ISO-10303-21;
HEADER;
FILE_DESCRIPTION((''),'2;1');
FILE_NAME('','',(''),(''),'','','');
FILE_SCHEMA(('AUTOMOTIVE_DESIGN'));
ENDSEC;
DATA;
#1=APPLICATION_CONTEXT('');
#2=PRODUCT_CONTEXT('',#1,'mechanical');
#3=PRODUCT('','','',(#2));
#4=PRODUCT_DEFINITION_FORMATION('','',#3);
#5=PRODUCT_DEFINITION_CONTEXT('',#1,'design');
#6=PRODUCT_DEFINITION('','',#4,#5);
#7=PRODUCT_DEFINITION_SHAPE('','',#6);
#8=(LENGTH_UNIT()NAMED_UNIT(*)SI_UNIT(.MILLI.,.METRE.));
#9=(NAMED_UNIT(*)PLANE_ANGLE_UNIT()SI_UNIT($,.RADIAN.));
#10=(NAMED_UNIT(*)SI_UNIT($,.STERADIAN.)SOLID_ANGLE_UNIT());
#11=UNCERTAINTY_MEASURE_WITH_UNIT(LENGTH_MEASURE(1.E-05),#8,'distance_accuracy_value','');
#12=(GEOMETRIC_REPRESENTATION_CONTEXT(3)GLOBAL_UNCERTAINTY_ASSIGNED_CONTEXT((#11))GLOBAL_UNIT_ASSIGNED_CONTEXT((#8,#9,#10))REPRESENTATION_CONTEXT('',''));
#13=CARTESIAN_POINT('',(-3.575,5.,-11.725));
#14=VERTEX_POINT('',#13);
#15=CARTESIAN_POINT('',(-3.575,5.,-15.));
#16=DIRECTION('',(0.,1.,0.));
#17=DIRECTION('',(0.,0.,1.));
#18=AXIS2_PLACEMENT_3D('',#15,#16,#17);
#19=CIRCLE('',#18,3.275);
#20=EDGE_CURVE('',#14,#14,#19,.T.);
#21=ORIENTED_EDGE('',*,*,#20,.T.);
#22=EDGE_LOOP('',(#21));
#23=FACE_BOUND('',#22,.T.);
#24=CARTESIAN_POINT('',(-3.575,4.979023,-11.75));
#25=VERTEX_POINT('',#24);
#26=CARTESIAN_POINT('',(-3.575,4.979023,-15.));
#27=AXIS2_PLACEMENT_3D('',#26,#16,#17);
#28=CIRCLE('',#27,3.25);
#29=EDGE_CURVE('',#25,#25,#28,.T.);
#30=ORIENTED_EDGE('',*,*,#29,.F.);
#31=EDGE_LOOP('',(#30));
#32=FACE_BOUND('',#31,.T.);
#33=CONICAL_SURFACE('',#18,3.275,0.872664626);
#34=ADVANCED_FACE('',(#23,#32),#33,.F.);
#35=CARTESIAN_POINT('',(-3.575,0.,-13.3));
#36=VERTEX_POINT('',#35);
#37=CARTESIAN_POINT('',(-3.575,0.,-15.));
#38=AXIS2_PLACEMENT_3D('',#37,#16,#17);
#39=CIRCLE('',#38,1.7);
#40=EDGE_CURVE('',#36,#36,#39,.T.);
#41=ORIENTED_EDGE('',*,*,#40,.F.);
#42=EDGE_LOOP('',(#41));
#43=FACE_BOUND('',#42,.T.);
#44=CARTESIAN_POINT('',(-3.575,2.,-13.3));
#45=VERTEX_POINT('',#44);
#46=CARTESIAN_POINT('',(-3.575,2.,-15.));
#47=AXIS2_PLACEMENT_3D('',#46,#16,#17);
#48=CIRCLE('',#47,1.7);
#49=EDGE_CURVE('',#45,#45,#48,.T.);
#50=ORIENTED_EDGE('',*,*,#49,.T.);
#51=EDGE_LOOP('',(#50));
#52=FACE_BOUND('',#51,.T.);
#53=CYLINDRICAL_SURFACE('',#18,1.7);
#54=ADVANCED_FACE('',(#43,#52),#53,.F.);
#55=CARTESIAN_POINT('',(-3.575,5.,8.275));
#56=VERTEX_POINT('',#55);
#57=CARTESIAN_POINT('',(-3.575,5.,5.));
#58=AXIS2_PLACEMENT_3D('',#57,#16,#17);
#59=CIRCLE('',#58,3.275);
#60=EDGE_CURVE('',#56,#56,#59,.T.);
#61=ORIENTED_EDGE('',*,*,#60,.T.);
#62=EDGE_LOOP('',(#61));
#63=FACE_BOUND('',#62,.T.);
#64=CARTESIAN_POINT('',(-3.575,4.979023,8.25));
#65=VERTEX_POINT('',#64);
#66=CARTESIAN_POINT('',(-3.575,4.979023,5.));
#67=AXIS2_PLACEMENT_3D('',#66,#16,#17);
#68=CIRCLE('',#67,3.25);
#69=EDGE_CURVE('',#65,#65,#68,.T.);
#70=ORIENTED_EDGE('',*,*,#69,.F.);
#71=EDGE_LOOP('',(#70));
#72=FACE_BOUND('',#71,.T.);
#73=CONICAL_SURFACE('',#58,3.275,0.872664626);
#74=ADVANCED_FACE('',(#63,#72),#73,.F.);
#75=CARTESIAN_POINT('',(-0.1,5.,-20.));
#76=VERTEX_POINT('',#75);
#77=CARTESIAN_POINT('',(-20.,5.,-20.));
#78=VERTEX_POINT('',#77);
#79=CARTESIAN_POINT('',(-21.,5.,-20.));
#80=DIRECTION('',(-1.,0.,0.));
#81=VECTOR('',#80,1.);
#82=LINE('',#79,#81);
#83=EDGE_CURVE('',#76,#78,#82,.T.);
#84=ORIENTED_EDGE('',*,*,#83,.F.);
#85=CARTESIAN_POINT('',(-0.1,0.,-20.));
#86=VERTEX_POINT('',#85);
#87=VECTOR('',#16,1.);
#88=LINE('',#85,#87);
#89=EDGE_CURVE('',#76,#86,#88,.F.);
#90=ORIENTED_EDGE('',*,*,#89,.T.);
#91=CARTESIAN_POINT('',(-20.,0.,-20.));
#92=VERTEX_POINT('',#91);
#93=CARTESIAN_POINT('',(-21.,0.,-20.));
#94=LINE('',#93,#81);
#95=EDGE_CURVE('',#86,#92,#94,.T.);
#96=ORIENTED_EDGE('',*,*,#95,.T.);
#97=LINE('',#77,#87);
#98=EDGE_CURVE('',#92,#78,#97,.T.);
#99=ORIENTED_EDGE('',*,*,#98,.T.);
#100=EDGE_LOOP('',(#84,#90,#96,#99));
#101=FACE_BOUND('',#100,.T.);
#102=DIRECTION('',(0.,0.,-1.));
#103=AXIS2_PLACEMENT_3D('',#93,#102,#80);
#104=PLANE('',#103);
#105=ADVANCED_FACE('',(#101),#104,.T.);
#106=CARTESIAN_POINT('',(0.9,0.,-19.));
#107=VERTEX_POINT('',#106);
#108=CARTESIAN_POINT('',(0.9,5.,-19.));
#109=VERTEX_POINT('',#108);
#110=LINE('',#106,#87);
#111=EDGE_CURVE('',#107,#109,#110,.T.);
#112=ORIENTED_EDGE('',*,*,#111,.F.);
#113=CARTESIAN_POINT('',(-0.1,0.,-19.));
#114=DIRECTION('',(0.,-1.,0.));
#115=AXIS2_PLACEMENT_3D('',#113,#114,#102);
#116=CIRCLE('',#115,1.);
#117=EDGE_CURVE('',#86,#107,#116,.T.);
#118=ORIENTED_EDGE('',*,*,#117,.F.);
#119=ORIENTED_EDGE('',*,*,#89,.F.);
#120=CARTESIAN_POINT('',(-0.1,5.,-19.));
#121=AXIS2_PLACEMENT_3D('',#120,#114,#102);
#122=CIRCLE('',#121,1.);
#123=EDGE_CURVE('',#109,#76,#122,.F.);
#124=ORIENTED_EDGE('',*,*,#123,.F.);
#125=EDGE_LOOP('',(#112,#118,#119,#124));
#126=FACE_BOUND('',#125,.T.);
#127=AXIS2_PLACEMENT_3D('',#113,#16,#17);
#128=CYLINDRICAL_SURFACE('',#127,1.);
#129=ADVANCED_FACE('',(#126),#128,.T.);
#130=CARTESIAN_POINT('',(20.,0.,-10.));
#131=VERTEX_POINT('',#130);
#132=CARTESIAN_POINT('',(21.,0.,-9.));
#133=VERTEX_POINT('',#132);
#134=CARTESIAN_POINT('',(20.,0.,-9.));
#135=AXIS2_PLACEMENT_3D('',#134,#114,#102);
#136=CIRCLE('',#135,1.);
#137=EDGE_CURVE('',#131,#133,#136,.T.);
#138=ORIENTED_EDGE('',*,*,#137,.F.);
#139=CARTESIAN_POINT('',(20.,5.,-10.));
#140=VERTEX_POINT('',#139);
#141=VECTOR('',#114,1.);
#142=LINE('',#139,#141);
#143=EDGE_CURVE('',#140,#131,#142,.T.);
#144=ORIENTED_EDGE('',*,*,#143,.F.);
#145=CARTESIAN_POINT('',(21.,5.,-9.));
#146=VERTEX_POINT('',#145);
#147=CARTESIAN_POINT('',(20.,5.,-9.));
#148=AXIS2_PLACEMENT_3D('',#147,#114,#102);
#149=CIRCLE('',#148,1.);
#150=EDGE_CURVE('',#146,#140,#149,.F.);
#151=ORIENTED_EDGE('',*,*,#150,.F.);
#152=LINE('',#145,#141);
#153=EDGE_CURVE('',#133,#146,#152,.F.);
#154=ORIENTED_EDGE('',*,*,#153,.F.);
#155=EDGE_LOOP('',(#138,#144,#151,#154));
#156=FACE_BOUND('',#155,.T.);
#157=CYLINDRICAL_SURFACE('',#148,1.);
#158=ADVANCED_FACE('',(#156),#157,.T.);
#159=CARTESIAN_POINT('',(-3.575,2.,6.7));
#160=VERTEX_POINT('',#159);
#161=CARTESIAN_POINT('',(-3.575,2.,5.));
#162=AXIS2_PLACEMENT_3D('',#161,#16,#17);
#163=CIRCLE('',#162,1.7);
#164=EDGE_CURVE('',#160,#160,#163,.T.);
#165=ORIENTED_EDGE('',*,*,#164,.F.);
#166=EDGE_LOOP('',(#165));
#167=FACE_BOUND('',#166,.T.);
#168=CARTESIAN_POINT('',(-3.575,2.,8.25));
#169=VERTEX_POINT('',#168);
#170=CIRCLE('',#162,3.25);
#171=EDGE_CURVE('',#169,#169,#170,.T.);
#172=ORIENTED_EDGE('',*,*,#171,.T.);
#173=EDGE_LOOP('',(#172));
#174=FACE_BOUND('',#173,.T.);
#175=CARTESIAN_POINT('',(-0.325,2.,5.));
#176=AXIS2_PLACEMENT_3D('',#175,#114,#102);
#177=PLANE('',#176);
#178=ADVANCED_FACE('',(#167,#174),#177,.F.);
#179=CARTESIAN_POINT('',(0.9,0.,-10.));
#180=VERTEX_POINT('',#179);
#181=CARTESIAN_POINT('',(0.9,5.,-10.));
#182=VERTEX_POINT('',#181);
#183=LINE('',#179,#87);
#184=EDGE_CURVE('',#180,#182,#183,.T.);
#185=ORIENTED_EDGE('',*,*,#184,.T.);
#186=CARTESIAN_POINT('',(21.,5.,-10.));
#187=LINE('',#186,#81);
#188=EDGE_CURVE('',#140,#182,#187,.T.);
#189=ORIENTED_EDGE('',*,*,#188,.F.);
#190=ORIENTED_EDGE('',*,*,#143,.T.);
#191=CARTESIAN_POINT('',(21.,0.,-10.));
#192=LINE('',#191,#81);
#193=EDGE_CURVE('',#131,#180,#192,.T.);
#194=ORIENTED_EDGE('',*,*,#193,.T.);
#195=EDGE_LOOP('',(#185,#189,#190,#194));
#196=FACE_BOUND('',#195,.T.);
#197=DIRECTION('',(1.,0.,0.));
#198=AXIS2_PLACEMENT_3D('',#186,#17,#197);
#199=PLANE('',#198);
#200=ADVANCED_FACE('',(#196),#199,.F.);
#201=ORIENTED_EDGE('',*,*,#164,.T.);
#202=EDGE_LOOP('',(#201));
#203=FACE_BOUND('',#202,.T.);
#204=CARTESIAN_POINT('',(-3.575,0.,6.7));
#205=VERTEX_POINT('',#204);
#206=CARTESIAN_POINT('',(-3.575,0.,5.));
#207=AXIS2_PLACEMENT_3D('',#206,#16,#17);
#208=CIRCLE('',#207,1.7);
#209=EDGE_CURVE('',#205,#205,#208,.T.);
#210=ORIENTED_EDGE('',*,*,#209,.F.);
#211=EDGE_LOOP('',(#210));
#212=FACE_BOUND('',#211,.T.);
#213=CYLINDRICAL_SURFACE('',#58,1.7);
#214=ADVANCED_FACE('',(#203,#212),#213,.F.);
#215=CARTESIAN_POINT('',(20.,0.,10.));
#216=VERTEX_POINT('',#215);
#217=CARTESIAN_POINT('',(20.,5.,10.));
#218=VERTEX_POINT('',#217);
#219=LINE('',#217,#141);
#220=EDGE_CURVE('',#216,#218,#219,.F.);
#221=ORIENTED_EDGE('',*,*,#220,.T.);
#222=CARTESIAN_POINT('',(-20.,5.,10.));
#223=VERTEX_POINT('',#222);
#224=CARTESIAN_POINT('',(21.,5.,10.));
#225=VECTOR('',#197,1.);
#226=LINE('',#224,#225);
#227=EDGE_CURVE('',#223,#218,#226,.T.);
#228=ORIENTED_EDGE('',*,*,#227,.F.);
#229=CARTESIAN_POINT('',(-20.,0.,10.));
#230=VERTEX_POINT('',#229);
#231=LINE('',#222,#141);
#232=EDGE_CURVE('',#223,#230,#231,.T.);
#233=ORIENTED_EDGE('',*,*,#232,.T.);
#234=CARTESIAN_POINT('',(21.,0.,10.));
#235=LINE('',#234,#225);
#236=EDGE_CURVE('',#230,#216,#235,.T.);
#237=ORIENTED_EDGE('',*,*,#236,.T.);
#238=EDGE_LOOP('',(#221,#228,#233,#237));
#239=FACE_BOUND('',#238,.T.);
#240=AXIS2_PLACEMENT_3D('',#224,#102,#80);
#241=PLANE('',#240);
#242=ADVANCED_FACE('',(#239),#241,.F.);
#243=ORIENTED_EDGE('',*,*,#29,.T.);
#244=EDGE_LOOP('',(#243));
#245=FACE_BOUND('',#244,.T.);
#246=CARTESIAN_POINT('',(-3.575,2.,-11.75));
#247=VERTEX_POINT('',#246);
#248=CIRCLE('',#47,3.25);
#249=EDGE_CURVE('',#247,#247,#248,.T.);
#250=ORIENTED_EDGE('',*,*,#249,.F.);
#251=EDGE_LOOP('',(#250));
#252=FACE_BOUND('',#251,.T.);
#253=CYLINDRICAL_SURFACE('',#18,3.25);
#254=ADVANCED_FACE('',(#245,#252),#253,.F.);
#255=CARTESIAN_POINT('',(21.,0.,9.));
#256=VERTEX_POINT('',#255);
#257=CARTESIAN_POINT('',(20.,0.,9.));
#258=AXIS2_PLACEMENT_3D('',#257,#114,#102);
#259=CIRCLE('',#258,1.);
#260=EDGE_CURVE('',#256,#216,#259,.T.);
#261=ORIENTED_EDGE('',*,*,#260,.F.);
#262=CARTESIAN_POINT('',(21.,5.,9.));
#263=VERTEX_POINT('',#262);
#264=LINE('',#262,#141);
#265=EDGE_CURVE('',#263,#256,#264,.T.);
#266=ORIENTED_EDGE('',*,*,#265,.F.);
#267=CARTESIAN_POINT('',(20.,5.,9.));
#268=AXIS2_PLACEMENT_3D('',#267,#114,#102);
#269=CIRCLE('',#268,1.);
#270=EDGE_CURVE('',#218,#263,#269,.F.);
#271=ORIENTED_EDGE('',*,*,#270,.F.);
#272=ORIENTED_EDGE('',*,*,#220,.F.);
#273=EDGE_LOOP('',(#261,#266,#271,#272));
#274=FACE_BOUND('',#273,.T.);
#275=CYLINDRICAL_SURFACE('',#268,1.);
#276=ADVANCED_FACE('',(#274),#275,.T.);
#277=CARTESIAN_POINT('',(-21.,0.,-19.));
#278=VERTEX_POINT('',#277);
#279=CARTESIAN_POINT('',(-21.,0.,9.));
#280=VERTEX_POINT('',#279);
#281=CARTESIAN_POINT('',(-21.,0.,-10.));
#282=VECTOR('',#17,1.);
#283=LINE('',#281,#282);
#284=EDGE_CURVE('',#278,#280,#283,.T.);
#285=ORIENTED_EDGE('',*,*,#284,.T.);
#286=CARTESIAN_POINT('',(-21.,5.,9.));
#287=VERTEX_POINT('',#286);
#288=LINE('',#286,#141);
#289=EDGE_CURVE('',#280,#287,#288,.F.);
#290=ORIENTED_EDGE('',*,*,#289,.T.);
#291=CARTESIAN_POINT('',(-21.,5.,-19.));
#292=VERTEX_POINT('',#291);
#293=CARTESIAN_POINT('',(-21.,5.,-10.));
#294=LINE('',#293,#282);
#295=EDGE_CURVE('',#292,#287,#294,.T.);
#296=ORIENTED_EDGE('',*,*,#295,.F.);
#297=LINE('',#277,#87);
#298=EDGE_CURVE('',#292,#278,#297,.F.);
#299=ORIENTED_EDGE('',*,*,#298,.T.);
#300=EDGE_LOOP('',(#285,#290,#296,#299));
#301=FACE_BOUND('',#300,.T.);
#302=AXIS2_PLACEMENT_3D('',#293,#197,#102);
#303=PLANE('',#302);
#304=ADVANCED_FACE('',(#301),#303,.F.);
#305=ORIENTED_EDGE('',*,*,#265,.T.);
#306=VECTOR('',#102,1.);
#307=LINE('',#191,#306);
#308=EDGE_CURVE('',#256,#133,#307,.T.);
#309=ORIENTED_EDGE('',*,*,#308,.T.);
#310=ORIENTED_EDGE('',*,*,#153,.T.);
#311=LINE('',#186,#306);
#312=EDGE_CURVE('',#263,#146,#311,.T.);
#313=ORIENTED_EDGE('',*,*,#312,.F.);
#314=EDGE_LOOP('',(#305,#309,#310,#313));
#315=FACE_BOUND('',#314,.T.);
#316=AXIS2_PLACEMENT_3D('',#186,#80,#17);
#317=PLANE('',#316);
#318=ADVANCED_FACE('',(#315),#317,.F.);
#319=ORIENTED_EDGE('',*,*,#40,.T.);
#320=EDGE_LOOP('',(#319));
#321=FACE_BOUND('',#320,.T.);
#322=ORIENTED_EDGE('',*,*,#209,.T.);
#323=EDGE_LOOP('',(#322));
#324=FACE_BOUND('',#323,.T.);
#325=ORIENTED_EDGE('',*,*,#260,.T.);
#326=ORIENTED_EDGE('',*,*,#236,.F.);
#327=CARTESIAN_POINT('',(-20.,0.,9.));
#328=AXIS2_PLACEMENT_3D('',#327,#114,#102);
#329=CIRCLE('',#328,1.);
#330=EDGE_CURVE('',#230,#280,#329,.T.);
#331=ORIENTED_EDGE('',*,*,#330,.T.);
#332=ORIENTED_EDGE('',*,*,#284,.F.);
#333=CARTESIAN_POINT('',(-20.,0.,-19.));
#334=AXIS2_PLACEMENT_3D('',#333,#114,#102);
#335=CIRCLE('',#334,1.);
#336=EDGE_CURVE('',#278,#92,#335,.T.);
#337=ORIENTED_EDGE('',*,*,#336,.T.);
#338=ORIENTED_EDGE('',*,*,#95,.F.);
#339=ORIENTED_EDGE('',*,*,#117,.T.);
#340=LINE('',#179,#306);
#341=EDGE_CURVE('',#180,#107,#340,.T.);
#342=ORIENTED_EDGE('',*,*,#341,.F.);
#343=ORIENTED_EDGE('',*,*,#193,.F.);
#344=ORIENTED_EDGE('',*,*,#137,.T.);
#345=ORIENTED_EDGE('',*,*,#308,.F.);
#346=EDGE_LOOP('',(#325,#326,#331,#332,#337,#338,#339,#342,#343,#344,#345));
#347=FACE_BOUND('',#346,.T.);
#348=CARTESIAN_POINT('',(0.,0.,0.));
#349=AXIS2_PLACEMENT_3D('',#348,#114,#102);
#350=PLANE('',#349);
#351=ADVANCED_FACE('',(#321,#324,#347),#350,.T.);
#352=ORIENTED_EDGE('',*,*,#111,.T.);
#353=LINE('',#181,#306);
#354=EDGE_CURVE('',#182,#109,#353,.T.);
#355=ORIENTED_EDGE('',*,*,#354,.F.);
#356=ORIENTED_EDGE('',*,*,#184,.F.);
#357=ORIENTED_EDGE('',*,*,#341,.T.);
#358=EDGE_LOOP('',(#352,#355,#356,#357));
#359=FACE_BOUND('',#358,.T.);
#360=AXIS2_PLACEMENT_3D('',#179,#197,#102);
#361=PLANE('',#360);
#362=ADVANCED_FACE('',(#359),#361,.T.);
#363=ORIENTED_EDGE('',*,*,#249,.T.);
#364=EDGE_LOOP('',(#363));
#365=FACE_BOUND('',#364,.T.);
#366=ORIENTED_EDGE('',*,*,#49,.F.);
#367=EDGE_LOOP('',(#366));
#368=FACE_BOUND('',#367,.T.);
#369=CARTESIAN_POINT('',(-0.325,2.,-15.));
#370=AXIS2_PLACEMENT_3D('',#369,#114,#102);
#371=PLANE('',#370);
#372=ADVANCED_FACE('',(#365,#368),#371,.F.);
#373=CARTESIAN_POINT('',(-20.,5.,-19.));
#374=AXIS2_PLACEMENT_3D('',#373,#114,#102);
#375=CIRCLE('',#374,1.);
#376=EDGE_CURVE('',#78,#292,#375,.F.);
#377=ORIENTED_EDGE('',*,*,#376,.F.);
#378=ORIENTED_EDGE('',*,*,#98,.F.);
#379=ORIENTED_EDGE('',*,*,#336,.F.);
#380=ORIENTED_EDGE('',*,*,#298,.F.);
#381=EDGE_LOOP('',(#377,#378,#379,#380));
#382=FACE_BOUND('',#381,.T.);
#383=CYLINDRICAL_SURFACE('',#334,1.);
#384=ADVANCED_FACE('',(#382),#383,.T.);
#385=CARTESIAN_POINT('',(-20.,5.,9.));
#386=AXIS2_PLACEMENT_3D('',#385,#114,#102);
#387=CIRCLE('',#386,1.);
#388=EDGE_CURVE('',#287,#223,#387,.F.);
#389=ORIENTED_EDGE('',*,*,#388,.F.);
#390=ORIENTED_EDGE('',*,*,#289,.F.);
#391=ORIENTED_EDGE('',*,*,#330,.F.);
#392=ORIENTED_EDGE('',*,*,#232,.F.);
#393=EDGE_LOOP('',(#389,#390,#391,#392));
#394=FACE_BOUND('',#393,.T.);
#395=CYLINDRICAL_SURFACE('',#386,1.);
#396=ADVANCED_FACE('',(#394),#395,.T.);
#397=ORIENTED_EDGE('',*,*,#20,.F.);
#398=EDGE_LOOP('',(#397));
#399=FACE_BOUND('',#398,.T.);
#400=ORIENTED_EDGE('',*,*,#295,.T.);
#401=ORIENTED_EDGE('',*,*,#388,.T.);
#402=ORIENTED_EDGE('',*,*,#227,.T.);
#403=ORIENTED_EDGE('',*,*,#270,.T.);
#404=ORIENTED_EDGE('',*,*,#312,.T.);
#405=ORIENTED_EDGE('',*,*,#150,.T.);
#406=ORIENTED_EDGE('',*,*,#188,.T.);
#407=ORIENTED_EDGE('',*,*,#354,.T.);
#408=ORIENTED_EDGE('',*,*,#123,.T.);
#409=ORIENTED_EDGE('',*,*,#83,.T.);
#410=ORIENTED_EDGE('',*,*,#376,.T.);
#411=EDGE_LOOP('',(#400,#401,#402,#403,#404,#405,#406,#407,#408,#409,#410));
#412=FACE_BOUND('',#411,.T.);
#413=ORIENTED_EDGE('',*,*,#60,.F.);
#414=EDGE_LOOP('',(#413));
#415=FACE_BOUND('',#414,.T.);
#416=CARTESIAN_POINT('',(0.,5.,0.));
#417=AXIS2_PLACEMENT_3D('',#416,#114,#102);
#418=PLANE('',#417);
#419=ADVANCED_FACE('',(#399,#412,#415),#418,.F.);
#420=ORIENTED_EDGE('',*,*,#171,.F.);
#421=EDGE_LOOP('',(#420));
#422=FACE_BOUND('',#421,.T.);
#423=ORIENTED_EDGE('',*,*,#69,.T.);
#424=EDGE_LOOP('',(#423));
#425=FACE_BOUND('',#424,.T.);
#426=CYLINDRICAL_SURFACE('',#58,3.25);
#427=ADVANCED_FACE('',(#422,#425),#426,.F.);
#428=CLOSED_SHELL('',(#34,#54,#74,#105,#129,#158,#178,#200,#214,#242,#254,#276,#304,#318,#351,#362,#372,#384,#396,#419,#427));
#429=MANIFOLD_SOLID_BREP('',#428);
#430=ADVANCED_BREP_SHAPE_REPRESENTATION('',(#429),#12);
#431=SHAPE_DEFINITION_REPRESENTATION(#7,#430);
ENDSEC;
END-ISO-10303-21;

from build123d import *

# Parameters (mm, degrees)
SKETCH1_W                     = 42
SKETCH1_H                     = 20
BOSS_EXTRUDE1_DEPTH           = 5
SKETCH2_W                     = 21.9
SKETCH2_H                     = 10
BOSS_EXTRUDE2_DEPTH           = 5
CBORE_FOR_M3_SHCS1_AT_2_COUNT = 2
CBORE_FOR_M3_SHCS1_AT_2_PITCH = 20
FILLET1_R                     = 1


with BuildPart() as part:
    # Sketch1 → Boss-Extrude1 (new body)
    with BuildSketch(Plane(origin=(0, 0, 0), x_dir=(1, 0, 0), z_dir=(0, 1, 0))):
        Rectangle(SKETCH1_W, SKETCH1_H)
    extrude(amount=BOSS_EXTRUDE1_DEPTH)

    # Sketch2 → Boss-Extrude2 (add)
    with BuildSketch(Plane(origin=(0, 5, 0), x_dir=(1, 0, 0), z_dir=(0, 1, 0))):
        with Locations((-10.05, 15)):
            Rectangle(SKETCH2_W, SKETCH2_H)
    extrude(amount=-BOSS_EXTRUDE2_DEPTH)

    # Sketch7 → CBORE for M3 SHCS1 (revolve, cut)
    with BuildSketch(Plane(origin=(-3.575, 5, -15), x_dir=(0, 0, 1), z_dir=(1, 0, 0))):
        Polygon((0, 0), (0, 5), (1.7, 5), (1.7, 3), (3.25, 3), (3.25, 0.020977491), (3.275, 0), align=None)
    cbore_for_m3_shcs1 = revolve(axis=Axis((-3.575, 11.35, -15), (0, -1, 0)), mode=Mode.SUBTRACT)

    # CBORE for M3 SHCS1 at 2: CBORE for M3 SHCS1 ×2
    with Locations(*[(0, 0, i * CBORE_FOR_M3_SHCS1_AT_2_PITCH) for i in range(1, CBORE_FOR_M3_SHCS1_AT_2_COUNT)]):
        add(cbore_for_m3_shcs1, mode=Mode.SUBTRACT)

    # Fillet1
    fillet1_edges = [part.edges().sort_by_distance(p)[0] for p in [
        (-21, 2.5, -20),
        (0.9, 2.5, -20),
        (21, 2.5, -10),
        (21, 2.5, 10),
        (-21, 2.5, 10),
    ]]
    fillet(fillet1_edges, radius=FILLET1_R)


solid = part.part
